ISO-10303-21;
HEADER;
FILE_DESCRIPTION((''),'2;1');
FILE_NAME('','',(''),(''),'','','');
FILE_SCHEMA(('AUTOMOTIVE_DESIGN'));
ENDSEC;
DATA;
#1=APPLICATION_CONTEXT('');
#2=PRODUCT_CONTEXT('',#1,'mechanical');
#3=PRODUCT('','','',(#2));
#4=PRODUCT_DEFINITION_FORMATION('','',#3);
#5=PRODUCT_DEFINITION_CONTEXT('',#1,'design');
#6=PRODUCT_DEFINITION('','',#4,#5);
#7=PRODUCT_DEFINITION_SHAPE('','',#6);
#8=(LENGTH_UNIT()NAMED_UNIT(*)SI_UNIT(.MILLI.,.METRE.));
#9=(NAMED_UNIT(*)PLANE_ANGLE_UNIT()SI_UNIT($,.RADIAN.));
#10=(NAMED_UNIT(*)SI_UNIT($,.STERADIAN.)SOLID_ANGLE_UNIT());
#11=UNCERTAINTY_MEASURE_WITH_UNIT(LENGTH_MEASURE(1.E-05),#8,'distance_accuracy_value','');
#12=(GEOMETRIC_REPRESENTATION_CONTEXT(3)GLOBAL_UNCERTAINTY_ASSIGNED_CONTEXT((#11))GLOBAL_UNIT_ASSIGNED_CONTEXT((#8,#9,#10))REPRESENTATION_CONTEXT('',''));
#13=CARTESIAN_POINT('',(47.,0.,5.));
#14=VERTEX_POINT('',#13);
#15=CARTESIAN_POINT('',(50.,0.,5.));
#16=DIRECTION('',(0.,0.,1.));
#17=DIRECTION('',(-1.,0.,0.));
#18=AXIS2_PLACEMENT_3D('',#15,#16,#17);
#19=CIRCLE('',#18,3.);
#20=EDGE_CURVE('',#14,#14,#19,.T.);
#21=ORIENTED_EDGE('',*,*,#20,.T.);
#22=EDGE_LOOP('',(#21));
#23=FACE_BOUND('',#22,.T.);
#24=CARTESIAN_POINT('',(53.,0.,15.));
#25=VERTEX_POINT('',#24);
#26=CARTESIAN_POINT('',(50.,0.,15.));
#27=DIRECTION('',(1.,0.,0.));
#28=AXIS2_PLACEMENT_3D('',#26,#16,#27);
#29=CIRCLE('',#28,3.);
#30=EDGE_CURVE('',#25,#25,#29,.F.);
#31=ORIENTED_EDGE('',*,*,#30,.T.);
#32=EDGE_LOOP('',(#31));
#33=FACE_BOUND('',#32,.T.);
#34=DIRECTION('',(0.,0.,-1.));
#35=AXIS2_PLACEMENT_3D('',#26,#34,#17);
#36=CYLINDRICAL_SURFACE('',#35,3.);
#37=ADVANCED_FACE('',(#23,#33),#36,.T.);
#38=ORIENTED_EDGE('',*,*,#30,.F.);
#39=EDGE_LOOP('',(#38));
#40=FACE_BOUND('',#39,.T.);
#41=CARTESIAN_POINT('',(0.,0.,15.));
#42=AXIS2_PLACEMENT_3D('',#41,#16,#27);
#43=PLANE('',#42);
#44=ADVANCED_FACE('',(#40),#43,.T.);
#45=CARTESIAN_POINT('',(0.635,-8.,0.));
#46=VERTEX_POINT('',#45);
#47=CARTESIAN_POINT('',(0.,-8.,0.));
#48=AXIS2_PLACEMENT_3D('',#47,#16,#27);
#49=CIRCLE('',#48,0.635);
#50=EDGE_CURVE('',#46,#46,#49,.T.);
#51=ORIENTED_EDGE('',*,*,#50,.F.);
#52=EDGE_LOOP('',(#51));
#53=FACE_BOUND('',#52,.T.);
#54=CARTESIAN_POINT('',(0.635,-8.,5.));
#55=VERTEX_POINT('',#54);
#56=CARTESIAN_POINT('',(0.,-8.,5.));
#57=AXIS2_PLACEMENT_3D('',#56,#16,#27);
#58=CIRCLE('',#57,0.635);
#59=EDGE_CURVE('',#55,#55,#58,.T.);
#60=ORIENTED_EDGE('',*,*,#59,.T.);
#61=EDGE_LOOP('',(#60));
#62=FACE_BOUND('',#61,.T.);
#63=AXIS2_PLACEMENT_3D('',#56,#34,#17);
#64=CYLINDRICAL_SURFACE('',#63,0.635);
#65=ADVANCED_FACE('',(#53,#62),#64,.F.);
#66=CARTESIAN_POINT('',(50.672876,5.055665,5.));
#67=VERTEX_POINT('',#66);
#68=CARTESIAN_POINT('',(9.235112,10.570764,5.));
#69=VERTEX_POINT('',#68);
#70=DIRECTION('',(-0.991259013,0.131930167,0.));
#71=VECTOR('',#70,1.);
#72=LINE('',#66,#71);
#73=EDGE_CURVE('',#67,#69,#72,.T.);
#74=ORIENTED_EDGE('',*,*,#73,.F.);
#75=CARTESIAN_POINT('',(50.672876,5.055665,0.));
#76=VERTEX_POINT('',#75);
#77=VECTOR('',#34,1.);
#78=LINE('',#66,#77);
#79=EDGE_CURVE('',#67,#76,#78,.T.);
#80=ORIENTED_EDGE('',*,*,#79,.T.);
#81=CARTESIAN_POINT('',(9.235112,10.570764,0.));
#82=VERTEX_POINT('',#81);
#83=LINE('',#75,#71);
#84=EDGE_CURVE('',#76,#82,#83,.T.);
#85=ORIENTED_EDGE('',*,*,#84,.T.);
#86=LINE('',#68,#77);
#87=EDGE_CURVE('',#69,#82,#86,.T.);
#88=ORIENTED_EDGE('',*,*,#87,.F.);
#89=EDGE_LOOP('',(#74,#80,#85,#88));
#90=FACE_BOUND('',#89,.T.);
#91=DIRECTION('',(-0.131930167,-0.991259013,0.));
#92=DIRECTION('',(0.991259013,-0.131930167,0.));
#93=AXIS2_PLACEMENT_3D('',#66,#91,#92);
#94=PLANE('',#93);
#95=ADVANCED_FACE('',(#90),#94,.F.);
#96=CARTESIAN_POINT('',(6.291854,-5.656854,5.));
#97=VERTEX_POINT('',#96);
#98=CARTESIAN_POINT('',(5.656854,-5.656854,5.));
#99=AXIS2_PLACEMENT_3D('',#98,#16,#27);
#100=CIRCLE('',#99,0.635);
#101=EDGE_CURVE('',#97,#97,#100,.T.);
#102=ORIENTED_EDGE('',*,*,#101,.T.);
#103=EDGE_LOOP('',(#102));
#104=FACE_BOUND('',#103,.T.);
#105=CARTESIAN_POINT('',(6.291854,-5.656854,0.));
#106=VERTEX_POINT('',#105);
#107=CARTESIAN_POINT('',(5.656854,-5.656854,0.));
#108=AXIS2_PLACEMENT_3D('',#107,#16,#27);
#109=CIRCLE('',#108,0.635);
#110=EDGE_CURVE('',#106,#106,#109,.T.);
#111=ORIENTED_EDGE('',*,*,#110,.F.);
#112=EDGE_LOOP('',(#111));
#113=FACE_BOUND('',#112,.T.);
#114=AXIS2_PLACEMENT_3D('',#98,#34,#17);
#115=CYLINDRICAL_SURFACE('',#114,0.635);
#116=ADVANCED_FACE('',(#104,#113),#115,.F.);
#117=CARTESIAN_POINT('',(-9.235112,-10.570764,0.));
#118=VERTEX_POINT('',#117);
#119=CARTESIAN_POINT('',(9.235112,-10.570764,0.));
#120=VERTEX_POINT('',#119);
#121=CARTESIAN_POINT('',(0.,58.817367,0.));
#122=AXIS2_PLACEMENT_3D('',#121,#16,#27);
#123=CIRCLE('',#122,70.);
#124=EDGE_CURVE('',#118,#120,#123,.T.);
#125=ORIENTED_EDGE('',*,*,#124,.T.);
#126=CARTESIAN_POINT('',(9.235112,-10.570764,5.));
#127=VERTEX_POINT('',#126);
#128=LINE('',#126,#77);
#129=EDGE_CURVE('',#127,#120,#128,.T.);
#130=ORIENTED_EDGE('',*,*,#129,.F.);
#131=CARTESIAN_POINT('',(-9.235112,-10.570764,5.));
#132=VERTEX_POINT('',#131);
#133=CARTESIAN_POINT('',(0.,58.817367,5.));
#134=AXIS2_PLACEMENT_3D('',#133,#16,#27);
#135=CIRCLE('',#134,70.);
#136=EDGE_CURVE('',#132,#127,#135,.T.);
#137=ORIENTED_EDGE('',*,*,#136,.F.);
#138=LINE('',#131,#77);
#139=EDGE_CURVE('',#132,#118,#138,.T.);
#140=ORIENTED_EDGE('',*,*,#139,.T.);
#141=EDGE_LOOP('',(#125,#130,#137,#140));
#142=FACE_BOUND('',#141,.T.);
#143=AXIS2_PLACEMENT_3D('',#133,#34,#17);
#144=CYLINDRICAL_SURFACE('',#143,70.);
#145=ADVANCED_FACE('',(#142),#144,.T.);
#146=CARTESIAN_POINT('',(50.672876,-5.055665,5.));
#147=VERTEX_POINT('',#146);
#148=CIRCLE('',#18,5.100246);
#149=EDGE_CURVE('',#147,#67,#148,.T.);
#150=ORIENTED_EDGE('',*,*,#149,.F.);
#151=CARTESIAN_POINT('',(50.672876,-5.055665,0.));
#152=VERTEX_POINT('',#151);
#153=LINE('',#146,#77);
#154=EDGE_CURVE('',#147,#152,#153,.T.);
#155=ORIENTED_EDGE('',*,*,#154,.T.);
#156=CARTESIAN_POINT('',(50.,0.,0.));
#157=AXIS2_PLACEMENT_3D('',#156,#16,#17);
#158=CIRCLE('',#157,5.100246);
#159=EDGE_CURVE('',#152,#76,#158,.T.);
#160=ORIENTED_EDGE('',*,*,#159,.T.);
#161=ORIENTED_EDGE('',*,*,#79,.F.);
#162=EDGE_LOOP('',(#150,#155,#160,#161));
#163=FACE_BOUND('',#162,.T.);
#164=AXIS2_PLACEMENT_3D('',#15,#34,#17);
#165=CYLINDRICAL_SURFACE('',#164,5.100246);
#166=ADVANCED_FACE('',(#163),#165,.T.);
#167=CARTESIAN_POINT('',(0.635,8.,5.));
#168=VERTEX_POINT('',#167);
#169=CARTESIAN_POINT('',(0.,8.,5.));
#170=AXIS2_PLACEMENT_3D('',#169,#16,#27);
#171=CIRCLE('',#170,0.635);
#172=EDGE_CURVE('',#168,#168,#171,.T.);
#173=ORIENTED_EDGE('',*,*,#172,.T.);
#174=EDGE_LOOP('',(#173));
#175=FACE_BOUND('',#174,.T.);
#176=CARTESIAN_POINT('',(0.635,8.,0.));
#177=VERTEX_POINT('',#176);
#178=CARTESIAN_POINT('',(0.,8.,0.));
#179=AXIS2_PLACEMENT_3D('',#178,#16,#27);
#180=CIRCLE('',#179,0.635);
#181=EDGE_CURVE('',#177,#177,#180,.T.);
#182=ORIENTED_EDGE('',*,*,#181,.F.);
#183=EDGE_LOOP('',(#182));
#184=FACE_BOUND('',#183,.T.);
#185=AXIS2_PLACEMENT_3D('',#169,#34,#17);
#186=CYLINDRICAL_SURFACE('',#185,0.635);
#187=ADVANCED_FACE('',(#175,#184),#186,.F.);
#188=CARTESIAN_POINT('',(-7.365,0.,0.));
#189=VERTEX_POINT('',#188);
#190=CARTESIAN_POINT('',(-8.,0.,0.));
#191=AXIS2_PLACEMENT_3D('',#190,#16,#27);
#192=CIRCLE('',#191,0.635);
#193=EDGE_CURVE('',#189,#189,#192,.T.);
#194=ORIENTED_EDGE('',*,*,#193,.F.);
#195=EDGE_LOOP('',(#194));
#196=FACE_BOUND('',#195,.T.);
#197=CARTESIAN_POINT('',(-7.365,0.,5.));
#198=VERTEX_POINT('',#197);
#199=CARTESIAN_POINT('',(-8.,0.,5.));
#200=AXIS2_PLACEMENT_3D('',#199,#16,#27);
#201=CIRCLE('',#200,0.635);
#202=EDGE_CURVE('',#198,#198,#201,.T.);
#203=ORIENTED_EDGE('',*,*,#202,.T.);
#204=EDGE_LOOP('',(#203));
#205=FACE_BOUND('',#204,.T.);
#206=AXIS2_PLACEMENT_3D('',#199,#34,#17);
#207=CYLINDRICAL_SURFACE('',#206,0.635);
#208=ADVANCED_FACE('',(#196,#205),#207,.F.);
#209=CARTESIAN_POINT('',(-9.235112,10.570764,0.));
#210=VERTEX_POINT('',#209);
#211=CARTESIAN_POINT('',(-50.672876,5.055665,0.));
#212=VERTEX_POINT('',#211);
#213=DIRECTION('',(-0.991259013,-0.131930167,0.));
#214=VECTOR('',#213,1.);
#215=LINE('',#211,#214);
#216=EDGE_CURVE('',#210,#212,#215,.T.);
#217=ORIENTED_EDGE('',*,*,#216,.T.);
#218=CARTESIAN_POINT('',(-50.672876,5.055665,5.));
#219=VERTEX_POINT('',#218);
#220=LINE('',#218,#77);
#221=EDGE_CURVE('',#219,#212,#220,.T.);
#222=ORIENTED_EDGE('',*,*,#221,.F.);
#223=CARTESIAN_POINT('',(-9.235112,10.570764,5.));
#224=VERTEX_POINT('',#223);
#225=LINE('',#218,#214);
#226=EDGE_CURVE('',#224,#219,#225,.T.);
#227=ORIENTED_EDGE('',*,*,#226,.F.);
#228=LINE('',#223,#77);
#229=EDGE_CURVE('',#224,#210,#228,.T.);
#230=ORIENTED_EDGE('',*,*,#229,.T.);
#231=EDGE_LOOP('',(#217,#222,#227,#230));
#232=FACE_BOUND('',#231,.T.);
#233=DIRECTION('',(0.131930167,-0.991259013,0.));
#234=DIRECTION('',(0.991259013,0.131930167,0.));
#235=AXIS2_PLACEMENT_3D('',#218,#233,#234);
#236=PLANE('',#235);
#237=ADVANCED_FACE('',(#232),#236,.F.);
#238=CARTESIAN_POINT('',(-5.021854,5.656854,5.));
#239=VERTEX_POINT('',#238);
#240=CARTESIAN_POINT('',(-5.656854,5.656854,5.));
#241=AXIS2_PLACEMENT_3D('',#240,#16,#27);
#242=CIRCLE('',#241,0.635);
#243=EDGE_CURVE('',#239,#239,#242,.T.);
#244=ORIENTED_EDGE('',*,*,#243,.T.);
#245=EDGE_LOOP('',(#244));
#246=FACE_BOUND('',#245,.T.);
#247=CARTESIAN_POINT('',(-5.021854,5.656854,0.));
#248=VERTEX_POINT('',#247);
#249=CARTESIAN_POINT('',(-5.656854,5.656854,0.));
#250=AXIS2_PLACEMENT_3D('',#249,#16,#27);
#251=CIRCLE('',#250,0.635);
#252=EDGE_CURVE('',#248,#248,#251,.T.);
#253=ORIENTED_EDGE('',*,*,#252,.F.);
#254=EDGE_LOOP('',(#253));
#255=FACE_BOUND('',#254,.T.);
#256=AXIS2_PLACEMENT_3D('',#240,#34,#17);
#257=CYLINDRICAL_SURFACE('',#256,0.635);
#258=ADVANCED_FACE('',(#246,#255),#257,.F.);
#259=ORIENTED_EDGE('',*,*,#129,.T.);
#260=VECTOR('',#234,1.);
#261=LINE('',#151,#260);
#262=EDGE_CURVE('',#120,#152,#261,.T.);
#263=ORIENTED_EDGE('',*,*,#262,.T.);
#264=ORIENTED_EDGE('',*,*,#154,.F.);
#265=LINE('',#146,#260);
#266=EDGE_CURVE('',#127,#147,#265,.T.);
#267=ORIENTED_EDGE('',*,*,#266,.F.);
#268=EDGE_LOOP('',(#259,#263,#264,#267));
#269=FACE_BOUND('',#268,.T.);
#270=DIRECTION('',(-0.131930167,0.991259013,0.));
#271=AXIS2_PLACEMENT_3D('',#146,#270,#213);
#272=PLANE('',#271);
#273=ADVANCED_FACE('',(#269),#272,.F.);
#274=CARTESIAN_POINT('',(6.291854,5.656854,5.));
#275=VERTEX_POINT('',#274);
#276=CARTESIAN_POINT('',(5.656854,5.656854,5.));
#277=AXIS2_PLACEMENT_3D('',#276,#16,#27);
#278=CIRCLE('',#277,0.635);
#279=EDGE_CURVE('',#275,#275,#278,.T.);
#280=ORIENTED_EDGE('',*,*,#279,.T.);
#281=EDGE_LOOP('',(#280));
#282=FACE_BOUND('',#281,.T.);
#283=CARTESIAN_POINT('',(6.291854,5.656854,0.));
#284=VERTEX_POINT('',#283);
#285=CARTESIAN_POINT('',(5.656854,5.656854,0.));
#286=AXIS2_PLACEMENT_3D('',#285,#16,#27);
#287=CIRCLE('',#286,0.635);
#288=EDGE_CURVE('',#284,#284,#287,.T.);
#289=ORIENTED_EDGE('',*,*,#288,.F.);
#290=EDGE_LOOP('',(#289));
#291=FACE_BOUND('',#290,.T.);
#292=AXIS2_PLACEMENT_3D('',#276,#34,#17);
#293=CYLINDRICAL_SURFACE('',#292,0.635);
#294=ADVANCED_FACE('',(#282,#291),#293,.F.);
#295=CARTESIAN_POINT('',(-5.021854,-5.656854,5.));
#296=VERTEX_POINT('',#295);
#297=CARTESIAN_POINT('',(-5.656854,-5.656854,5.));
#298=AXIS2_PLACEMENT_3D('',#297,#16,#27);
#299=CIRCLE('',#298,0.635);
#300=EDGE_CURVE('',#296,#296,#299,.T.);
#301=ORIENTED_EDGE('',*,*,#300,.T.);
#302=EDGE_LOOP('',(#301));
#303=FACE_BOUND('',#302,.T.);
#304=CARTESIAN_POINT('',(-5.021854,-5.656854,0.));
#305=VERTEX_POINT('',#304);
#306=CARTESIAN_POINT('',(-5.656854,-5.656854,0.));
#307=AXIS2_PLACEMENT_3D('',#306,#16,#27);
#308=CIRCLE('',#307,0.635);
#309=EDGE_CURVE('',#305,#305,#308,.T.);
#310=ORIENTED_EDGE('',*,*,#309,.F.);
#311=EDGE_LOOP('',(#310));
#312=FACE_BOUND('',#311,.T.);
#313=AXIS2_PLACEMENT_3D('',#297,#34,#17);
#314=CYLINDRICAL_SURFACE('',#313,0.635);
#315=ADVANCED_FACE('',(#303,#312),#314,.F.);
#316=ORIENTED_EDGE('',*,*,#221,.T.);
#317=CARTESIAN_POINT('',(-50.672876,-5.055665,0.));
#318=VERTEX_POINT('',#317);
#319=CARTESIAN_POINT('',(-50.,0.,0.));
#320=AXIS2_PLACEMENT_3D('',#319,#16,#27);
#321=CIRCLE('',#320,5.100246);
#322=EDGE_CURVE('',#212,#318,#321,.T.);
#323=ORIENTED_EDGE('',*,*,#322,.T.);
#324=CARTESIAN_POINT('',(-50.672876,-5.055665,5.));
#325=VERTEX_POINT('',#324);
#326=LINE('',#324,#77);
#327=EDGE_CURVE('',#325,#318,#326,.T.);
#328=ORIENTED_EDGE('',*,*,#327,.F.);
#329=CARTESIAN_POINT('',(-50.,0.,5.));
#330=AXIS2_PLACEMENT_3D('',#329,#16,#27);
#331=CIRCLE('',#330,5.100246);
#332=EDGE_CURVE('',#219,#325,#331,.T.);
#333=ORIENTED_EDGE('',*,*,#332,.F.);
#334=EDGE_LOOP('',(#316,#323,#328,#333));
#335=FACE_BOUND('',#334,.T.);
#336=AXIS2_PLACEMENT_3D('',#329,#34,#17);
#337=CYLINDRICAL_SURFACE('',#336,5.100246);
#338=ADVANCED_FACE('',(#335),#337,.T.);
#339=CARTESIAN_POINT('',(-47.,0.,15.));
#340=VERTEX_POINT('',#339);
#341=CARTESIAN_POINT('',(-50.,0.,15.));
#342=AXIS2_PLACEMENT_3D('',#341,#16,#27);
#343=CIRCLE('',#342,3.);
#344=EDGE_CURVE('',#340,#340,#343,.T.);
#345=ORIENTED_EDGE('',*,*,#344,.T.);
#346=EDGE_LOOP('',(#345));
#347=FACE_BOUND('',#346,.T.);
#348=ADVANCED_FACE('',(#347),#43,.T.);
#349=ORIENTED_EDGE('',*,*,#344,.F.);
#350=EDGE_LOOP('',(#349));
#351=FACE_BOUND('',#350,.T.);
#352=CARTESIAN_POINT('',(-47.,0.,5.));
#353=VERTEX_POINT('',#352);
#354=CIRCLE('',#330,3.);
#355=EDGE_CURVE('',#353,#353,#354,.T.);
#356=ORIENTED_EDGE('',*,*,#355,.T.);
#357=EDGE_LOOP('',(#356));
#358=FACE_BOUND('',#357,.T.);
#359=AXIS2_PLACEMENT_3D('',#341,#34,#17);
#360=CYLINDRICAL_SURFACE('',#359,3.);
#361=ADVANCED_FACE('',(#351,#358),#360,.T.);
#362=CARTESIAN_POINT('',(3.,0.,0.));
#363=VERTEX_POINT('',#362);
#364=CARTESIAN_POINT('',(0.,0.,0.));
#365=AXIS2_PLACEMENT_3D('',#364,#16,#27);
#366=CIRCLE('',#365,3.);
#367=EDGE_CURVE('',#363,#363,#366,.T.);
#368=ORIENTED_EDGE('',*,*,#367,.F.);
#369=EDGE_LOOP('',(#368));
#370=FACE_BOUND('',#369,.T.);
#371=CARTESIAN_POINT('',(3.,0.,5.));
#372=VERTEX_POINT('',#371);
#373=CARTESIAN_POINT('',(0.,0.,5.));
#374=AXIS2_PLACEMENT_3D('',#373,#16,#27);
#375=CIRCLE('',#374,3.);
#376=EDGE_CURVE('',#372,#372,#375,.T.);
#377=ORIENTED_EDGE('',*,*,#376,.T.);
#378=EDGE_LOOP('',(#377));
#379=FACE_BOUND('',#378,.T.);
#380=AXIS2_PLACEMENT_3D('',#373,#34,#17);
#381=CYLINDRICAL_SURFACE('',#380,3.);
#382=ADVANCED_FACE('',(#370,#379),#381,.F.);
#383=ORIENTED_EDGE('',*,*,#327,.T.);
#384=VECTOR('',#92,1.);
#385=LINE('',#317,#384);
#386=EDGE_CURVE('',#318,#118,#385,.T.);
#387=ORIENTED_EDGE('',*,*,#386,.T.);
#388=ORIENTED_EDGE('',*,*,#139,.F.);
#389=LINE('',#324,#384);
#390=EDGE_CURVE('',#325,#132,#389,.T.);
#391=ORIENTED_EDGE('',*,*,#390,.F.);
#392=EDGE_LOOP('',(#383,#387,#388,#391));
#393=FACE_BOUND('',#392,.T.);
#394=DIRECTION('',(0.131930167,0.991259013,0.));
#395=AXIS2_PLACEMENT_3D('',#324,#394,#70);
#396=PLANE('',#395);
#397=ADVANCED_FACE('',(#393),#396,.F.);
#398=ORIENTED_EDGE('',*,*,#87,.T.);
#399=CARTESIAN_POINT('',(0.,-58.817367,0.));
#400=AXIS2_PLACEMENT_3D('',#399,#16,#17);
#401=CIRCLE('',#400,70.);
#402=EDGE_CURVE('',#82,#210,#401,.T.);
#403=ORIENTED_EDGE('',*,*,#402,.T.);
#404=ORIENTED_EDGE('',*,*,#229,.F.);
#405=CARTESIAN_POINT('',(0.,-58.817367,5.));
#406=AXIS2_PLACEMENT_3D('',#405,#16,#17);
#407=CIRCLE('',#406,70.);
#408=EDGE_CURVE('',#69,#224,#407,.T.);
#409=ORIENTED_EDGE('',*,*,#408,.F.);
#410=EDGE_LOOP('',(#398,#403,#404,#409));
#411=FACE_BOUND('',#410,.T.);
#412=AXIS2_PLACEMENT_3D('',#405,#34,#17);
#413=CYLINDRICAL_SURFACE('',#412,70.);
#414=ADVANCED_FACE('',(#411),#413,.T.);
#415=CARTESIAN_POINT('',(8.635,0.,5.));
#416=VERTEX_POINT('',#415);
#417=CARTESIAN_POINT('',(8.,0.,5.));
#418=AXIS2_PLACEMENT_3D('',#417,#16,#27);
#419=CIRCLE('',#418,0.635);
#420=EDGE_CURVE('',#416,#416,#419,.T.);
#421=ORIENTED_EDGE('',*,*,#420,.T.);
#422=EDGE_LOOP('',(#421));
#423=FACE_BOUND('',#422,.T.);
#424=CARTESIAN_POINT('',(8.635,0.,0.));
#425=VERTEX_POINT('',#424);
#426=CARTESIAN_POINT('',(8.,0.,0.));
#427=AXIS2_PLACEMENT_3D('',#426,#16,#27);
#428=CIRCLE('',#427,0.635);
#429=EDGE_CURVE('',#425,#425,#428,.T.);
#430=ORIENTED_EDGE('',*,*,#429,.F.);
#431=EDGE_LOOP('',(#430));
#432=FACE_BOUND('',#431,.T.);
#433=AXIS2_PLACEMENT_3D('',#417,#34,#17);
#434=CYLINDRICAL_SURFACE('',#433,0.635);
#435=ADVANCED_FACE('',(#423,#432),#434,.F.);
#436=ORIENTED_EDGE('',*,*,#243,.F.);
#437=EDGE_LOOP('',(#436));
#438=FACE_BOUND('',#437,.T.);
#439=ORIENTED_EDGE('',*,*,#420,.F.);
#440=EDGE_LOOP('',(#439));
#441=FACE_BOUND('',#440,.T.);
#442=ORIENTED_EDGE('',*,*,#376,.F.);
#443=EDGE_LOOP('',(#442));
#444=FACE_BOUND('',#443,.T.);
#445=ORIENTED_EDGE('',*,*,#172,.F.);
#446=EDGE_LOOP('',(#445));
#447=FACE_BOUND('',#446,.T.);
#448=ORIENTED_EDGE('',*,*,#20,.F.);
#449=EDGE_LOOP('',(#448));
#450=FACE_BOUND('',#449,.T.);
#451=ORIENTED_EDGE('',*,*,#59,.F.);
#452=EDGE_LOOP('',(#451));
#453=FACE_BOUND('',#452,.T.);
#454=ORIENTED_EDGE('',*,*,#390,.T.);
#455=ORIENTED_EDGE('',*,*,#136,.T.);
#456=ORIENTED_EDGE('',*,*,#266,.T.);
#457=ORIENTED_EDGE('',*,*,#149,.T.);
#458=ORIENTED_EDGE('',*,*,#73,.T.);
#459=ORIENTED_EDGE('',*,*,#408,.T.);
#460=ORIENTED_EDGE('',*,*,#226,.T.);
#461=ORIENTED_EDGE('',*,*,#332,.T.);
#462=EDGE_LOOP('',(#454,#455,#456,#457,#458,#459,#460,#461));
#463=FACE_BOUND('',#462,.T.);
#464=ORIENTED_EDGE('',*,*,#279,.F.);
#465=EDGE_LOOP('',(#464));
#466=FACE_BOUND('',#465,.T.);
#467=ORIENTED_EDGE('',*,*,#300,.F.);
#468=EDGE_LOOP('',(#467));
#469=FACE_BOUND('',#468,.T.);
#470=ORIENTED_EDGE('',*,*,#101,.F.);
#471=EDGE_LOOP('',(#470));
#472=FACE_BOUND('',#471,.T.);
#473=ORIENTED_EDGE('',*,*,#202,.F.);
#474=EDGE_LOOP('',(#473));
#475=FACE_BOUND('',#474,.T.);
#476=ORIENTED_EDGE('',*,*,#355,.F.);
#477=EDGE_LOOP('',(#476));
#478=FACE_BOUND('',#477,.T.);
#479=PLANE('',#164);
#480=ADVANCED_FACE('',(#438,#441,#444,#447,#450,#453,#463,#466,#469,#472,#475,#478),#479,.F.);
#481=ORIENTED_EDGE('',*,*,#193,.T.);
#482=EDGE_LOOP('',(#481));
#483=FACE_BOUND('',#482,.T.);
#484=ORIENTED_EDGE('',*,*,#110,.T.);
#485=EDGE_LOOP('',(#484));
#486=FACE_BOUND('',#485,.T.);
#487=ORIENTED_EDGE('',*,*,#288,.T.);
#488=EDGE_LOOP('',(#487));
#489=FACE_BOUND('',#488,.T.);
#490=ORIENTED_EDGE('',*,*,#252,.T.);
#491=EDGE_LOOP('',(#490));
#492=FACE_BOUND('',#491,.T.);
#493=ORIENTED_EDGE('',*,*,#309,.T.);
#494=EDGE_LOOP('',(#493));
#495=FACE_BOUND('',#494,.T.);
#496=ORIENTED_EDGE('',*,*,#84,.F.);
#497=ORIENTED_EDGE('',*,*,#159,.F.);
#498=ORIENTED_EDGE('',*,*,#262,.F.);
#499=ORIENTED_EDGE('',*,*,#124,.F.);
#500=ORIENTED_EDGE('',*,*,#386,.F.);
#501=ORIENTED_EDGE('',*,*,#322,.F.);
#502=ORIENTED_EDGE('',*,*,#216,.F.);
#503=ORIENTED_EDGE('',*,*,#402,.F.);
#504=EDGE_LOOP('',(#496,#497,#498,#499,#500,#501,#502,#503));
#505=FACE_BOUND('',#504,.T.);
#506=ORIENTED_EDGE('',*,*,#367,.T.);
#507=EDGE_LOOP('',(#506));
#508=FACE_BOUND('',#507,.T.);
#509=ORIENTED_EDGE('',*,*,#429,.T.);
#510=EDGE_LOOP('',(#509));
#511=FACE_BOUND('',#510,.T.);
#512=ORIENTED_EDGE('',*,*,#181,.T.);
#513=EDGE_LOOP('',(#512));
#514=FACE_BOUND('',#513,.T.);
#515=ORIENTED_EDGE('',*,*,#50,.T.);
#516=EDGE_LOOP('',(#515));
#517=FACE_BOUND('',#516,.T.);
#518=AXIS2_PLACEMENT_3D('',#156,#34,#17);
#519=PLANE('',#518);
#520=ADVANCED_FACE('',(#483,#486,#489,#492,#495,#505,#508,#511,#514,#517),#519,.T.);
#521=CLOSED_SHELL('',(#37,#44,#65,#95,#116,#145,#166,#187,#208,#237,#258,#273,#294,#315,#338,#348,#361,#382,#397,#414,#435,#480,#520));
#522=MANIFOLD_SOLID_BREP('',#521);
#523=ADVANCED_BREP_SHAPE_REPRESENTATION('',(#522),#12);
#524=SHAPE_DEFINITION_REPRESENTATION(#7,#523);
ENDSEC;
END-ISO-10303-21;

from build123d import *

# Parameters (mm, degrees)
SZKIC1_R                    = 3
SZKIC1_R_2                  = 0.635
DODANIE_WYCI_GNI_CIE1_DEPTH = 5
SZKIC1_2_R                  = 3
DODANIE_WYCI_GNI_CIE2_DEPTH = 15


with BuildPart() as part:
    # Szkic1 → Dodanie-wyci_gni_cie1 (new body)
    with BuildSketch(Plane.XY):
        with BuildLine():
            Line((-50.67287635, 5.055665151), (-9.235111676, 10.570763761))
            ThreePointArc((-9.235111676, 10.570763761), (0, 11.182632843), (9.235111676, 10.570763761))
            Line((9.235111676, 10.570763761), (50.67287635, 5.055665151))
            ThreePointArc((50.67287635, 5.055665151), (55.100246338, 0), (50.67287635, -5.055665151))
            Line((50.67287635, -5.055665151), (9.235111676, -10.570763761))
            ThreePointArc((9.235111676, -10.570763761), (0, -11.182632843), (-9.235111676, -10.570763761))
            Line((-9.235111676, -10.570763761), (-50.67287635, -5.055665151))
            ThreePointArc((-50.67287635, -5.055665151), (-55.100246338, 0), (-50.67287635, 5.055665151))
        make_face()
        Circle(SZKIC1_R, mode=Mode.SUBTRACT)
        with Locations((-5.656854249, 5.656854249)):
            Circle(SZKIC1_R_2, mode=Mode.SUBTRACT)
        with Locations((-8, 0)):
            Circle(SZKIC1_R_2, mode=Mode.SUBTRACT)
        with Locations((0, 8)):
            Circle(SZKIC1_R_2, mode=Mode.SUBTRACT)
        with Locations((5.656854249, 5.656854249)):
            Circle(SZKIC1_R_2, mode=Mode.SUBTRACT)
        with Locations((-50, 0)):
            Circle(SZKIC1_R, mode=Mode.SUBTRACT)
        with Locations((50, 0)):
            Circle(SZKIC1_R, mode=Mode.SUBTRACT)
        with Locations((8, 0)):
            Circle(SZKIC1_R_2, mode=Mode.SUBTRACT)
        with Locations((5.656854249, -5.656854249)):
            Circle(SZKIC1_R_2, mode=Mode.SUBTRACT)
        with Locations((0, -8)):
            Circle(SZKIC1_R_2, mode=Mode.SUBTRACT)
        with Locations((-5.656854249, -5.656854249)):
            Circle(SZKIC1_R_2, mode=Mode.SUBTRACT)
    extrude(amount=DODANIE_WYCI_GNI_CIE1_DEPTH)

    # Szkic1_2 → Dodanie-wyci_gni_cie2 (add)
    with BuildSketch(Plane.XY):
        with Locations((-50, 0)):
            Circle(SZKIC1_2_R)
        with Locations((50, 0)):
            Circle(SZKIC1_2_R)
    extrude(amount=DODANIE_WYCI_GNI_CIE2_DEPTH)


solid = part.part
